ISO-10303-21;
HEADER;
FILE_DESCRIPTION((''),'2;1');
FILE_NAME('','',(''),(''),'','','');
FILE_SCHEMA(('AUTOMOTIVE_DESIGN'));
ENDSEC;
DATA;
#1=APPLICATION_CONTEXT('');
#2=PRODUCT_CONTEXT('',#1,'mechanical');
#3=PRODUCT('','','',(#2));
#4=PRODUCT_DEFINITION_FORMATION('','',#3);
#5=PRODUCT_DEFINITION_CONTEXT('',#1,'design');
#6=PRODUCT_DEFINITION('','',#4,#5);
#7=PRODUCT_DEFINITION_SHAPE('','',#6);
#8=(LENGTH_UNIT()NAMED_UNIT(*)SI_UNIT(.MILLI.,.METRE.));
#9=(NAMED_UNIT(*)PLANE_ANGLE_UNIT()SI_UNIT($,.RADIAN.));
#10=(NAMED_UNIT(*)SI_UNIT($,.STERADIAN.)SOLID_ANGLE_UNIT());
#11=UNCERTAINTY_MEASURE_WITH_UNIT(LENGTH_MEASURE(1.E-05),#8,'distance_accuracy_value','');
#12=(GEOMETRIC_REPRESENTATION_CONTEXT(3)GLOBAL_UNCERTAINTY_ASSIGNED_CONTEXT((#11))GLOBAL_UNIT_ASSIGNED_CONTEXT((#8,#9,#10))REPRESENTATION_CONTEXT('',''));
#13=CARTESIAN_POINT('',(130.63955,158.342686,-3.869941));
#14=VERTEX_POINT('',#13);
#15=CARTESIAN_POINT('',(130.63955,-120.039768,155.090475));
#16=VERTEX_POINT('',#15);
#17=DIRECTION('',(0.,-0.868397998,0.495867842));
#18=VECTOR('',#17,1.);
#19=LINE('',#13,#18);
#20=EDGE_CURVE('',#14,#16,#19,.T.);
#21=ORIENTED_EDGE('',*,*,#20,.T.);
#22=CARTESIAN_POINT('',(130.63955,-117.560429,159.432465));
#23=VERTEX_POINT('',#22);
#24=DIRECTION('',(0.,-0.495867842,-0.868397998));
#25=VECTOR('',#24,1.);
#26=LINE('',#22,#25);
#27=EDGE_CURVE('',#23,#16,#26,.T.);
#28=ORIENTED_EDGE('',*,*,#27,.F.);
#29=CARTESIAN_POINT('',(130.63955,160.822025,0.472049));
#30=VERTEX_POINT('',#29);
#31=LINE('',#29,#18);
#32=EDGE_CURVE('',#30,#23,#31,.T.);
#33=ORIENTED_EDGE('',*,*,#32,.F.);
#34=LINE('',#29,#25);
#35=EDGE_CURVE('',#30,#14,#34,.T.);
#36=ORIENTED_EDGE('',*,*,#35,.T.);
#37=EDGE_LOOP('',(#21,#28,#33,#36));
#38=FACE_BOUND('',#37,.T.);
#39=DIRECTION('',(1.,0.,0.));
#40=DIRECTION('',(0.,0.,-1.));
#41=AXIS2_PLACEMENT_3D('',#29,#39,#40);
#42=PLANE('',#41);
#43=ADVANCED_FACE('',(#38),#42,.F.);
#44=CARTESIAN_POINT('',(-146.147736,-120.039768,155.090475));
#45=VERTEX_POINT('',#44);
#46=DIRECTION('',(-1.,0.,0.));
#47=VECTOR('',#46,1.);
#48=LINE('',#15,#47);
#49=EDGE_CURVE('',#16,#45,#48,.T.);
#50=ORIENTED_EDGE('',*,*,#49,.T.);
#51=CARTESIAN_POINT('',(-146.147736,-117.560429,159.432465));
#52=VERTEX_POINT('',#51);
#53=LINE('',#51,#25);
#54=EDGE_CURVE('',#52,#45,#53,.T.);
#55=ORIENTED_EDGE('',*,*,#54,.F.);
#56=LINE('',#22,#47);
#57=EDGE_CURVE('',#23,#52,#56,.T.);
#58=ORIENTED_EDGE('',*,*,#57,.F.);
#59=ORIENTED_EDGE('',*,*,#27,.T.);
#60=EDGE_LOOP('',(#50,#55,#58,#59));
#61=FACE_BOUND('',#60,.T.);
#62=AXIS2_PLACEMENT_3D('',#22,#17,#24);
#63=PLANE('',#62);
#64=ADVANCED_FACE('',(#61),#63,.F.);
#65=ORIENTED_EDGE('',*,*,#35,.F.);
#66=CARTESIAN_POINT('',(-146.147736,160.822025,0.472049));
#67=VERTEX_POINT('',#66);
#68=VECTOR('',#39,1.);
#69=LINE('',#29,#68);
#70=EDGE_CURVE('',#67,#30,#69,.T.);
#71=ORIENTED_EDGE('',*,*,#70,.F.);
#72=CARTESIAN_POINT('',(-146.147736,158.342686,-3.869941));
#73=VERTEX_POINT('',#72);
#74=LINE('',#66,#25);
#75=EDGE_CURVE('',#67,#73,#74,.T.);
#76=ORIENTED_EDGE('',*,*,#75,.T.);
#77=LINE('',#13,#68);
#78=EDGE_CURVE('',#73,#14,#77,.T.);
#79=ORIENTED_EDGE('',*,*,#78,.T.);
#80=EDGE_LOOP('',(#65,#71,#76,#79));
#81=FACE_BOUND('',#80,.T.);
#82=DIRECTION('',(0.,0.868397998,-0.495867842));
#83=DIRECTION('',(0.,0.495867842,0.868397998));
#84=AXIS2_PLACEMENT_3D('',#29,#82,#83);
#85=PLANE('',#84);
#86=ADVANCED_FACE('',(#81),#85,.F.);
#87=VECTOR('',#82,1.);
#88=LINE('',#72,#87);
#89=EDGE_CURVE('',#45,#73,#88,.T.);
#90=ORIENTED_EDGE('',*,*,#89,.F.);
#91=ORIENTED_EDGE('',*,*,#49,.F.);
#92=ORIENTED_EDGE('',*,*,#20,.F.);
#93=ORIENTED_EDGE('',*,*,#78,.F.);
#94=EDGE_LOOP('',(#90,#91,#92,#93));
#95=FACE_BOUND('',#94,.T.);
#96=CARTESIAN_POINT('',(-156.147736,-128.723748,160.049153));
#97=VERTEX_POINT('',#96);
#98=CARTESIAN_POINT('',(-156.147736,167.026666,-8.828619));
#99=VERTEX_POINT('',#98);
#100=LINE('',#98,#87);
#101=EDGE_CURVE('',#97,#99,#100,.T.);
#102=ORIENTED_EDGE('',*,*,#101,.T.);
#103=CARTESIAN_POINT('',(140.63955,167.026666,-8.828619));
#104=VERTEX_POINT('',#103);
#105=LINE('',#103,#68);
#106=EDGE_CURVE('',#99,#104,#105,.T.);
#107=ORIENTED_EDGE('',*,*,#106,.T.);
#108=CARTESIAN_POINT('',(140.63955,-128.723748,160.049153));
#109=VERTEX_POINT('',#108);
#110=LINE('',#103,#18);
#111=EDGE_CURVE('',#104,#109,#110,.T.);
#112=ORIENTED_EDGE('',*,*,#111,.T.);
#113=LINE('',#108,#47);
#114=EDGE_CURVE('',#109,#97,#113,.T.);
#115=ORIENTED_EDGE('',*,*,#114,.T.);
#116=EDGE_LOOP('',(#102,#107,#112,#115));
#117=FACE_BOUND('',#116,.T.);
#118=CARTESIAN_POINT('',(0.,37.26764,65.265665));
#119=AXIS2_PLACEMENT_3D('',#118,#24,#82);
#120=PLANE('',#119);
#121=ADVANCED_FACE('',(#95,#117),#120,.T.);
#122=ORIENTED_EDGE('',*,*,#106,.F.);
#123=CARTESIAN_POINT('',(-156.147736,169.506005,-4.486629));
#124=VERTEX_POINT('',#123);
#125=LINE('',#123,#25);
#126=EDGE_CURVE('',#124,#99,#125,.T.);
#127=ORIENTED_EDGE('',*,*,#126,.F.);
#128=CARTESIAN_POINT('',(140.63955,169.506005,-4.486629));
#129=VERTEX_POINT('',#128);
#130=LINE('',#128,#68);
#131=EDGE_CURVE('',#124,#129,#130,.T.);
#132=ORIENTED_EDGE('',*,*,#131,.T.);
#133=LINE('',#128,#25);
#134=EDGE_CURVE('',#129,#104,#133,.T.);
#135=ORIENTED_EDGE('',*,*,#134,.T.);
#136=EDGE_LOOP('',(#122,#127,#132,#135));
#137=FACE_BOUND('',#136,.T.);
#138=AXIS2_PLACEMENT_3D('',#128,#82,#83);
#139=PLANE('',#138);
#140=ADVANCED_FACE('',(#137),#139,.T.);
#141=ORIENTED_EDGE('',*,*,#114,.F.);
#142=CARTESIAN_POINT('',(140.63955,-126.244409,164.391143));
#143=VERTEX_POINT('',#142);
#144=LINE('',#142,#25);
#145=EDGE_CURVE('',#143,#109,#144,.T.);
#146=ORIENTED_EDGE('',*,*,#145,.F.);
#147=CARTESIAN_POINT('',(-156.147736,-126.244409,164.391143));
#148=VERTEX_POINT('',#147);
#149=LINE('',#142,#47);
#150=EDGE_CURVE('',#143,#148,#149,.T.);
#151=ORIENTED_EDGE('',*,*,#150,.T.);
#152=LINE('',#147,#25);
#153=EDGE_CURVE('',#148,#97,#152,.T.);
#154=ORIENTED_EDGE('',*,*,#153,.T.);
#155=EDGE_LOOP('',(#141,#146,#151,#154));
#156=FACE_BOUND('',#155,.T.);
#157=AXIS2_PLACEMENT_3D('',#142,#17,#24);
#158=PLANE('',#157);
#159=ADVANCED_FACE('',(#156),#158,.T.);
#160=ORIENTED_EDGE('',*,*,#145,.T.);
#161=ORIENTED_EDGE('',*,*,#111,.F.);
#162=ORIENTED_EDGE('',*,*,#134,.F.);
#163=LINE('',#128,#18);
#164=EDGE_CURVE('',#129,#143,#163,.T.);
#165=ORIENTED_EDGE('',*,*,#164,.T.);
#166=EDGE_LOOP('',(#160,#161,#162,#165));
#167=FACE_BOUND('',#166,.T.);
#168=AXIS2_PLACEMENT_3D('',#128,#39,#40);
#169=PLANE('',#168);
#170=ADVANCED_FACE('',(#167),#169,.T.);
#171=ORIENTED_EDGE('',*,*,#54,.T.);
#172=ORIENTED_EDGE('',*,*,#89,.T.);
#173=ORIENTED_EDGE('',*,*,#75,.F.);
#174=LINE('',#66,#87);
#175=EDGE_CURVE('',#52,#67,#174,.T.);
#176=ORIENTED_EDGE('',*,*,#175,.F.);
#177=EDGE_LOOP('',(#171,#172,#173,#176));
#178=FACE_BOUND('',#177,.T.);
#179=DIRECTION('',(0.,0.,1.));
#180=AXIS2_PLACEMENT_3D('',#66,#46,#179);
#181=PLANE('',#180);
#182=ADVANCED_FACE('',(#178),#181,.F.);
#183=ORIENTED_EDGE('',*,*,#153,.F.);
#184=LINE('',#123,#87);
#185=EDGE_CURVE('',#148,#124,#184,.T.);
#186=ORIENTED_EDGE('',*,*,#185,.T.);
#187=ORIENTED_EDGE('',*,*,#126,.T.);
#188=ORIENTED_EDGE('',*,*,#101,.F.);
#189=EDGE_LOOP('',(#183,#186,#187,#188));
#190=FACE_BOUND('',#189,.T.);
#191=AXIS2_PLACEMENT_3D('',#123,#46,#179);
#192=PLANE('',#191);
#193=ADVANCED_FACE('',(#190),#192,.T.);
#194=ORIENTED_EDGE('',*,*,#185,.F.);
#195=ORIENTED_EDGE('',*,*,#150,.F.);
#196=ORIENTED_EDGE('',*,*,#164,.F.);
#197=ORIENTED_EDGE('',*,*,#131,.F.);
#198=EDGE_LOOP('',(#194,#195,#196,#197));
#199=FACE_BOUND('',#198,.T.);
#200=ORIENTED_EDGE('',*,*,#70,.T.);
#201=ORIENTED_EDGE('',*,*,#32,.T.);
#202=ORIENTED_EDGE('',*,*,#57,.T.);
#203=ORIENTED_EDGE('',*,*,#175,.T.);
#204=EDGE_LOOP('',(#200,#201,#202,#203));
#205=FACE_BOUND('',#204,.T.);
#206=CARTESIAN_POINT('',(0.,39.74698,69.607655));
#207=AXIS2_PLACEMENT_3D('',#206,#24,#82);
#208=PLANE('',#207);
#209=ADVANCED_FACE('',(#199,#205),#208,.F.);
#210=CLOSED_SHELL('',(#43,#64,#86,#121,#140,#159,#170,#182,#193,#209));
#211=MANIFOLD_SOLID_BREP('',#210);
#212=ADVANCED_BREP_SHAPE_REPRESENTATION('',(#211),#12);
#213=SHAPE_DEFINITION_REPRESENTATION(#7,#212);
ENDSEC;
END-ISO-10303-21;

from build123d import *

# Parameters (mm, degrees)
CROQUIS2_W              = 296.787285623
CROQUIS2_H              = 340.570123561
CROQUIS2_W_2            = 276.787285623
CROQUIS2_H_2            = 320.570123561
SALIENTE_EXTRUIR1_DEPTH = 5


with BuildPart() as part:
    # Croquis2 → Saliente-Extruir1 (new body)
    with BuildSketch(Plane(origin=(0, 37.26764048, 65.265664801), x_dir=(-1, 0, 0), z_dir=(0, -0.4958678423378191, -0.8683979980027797))):
        with Locations((7.754092984, -20.861611505)):
            Rectangle(CROQUIS2_W, CROQUIS2_H)
        with Locations((7.754092984, -20.861611505)):
            Rectangle(CROQUIS2_W_2, CROQUIS2_H_2, mode=Mode.SUBTRACT)
    extrude(amount=-SALIENTE_EXTRUIR1_DEPTH)


solid = part.part
